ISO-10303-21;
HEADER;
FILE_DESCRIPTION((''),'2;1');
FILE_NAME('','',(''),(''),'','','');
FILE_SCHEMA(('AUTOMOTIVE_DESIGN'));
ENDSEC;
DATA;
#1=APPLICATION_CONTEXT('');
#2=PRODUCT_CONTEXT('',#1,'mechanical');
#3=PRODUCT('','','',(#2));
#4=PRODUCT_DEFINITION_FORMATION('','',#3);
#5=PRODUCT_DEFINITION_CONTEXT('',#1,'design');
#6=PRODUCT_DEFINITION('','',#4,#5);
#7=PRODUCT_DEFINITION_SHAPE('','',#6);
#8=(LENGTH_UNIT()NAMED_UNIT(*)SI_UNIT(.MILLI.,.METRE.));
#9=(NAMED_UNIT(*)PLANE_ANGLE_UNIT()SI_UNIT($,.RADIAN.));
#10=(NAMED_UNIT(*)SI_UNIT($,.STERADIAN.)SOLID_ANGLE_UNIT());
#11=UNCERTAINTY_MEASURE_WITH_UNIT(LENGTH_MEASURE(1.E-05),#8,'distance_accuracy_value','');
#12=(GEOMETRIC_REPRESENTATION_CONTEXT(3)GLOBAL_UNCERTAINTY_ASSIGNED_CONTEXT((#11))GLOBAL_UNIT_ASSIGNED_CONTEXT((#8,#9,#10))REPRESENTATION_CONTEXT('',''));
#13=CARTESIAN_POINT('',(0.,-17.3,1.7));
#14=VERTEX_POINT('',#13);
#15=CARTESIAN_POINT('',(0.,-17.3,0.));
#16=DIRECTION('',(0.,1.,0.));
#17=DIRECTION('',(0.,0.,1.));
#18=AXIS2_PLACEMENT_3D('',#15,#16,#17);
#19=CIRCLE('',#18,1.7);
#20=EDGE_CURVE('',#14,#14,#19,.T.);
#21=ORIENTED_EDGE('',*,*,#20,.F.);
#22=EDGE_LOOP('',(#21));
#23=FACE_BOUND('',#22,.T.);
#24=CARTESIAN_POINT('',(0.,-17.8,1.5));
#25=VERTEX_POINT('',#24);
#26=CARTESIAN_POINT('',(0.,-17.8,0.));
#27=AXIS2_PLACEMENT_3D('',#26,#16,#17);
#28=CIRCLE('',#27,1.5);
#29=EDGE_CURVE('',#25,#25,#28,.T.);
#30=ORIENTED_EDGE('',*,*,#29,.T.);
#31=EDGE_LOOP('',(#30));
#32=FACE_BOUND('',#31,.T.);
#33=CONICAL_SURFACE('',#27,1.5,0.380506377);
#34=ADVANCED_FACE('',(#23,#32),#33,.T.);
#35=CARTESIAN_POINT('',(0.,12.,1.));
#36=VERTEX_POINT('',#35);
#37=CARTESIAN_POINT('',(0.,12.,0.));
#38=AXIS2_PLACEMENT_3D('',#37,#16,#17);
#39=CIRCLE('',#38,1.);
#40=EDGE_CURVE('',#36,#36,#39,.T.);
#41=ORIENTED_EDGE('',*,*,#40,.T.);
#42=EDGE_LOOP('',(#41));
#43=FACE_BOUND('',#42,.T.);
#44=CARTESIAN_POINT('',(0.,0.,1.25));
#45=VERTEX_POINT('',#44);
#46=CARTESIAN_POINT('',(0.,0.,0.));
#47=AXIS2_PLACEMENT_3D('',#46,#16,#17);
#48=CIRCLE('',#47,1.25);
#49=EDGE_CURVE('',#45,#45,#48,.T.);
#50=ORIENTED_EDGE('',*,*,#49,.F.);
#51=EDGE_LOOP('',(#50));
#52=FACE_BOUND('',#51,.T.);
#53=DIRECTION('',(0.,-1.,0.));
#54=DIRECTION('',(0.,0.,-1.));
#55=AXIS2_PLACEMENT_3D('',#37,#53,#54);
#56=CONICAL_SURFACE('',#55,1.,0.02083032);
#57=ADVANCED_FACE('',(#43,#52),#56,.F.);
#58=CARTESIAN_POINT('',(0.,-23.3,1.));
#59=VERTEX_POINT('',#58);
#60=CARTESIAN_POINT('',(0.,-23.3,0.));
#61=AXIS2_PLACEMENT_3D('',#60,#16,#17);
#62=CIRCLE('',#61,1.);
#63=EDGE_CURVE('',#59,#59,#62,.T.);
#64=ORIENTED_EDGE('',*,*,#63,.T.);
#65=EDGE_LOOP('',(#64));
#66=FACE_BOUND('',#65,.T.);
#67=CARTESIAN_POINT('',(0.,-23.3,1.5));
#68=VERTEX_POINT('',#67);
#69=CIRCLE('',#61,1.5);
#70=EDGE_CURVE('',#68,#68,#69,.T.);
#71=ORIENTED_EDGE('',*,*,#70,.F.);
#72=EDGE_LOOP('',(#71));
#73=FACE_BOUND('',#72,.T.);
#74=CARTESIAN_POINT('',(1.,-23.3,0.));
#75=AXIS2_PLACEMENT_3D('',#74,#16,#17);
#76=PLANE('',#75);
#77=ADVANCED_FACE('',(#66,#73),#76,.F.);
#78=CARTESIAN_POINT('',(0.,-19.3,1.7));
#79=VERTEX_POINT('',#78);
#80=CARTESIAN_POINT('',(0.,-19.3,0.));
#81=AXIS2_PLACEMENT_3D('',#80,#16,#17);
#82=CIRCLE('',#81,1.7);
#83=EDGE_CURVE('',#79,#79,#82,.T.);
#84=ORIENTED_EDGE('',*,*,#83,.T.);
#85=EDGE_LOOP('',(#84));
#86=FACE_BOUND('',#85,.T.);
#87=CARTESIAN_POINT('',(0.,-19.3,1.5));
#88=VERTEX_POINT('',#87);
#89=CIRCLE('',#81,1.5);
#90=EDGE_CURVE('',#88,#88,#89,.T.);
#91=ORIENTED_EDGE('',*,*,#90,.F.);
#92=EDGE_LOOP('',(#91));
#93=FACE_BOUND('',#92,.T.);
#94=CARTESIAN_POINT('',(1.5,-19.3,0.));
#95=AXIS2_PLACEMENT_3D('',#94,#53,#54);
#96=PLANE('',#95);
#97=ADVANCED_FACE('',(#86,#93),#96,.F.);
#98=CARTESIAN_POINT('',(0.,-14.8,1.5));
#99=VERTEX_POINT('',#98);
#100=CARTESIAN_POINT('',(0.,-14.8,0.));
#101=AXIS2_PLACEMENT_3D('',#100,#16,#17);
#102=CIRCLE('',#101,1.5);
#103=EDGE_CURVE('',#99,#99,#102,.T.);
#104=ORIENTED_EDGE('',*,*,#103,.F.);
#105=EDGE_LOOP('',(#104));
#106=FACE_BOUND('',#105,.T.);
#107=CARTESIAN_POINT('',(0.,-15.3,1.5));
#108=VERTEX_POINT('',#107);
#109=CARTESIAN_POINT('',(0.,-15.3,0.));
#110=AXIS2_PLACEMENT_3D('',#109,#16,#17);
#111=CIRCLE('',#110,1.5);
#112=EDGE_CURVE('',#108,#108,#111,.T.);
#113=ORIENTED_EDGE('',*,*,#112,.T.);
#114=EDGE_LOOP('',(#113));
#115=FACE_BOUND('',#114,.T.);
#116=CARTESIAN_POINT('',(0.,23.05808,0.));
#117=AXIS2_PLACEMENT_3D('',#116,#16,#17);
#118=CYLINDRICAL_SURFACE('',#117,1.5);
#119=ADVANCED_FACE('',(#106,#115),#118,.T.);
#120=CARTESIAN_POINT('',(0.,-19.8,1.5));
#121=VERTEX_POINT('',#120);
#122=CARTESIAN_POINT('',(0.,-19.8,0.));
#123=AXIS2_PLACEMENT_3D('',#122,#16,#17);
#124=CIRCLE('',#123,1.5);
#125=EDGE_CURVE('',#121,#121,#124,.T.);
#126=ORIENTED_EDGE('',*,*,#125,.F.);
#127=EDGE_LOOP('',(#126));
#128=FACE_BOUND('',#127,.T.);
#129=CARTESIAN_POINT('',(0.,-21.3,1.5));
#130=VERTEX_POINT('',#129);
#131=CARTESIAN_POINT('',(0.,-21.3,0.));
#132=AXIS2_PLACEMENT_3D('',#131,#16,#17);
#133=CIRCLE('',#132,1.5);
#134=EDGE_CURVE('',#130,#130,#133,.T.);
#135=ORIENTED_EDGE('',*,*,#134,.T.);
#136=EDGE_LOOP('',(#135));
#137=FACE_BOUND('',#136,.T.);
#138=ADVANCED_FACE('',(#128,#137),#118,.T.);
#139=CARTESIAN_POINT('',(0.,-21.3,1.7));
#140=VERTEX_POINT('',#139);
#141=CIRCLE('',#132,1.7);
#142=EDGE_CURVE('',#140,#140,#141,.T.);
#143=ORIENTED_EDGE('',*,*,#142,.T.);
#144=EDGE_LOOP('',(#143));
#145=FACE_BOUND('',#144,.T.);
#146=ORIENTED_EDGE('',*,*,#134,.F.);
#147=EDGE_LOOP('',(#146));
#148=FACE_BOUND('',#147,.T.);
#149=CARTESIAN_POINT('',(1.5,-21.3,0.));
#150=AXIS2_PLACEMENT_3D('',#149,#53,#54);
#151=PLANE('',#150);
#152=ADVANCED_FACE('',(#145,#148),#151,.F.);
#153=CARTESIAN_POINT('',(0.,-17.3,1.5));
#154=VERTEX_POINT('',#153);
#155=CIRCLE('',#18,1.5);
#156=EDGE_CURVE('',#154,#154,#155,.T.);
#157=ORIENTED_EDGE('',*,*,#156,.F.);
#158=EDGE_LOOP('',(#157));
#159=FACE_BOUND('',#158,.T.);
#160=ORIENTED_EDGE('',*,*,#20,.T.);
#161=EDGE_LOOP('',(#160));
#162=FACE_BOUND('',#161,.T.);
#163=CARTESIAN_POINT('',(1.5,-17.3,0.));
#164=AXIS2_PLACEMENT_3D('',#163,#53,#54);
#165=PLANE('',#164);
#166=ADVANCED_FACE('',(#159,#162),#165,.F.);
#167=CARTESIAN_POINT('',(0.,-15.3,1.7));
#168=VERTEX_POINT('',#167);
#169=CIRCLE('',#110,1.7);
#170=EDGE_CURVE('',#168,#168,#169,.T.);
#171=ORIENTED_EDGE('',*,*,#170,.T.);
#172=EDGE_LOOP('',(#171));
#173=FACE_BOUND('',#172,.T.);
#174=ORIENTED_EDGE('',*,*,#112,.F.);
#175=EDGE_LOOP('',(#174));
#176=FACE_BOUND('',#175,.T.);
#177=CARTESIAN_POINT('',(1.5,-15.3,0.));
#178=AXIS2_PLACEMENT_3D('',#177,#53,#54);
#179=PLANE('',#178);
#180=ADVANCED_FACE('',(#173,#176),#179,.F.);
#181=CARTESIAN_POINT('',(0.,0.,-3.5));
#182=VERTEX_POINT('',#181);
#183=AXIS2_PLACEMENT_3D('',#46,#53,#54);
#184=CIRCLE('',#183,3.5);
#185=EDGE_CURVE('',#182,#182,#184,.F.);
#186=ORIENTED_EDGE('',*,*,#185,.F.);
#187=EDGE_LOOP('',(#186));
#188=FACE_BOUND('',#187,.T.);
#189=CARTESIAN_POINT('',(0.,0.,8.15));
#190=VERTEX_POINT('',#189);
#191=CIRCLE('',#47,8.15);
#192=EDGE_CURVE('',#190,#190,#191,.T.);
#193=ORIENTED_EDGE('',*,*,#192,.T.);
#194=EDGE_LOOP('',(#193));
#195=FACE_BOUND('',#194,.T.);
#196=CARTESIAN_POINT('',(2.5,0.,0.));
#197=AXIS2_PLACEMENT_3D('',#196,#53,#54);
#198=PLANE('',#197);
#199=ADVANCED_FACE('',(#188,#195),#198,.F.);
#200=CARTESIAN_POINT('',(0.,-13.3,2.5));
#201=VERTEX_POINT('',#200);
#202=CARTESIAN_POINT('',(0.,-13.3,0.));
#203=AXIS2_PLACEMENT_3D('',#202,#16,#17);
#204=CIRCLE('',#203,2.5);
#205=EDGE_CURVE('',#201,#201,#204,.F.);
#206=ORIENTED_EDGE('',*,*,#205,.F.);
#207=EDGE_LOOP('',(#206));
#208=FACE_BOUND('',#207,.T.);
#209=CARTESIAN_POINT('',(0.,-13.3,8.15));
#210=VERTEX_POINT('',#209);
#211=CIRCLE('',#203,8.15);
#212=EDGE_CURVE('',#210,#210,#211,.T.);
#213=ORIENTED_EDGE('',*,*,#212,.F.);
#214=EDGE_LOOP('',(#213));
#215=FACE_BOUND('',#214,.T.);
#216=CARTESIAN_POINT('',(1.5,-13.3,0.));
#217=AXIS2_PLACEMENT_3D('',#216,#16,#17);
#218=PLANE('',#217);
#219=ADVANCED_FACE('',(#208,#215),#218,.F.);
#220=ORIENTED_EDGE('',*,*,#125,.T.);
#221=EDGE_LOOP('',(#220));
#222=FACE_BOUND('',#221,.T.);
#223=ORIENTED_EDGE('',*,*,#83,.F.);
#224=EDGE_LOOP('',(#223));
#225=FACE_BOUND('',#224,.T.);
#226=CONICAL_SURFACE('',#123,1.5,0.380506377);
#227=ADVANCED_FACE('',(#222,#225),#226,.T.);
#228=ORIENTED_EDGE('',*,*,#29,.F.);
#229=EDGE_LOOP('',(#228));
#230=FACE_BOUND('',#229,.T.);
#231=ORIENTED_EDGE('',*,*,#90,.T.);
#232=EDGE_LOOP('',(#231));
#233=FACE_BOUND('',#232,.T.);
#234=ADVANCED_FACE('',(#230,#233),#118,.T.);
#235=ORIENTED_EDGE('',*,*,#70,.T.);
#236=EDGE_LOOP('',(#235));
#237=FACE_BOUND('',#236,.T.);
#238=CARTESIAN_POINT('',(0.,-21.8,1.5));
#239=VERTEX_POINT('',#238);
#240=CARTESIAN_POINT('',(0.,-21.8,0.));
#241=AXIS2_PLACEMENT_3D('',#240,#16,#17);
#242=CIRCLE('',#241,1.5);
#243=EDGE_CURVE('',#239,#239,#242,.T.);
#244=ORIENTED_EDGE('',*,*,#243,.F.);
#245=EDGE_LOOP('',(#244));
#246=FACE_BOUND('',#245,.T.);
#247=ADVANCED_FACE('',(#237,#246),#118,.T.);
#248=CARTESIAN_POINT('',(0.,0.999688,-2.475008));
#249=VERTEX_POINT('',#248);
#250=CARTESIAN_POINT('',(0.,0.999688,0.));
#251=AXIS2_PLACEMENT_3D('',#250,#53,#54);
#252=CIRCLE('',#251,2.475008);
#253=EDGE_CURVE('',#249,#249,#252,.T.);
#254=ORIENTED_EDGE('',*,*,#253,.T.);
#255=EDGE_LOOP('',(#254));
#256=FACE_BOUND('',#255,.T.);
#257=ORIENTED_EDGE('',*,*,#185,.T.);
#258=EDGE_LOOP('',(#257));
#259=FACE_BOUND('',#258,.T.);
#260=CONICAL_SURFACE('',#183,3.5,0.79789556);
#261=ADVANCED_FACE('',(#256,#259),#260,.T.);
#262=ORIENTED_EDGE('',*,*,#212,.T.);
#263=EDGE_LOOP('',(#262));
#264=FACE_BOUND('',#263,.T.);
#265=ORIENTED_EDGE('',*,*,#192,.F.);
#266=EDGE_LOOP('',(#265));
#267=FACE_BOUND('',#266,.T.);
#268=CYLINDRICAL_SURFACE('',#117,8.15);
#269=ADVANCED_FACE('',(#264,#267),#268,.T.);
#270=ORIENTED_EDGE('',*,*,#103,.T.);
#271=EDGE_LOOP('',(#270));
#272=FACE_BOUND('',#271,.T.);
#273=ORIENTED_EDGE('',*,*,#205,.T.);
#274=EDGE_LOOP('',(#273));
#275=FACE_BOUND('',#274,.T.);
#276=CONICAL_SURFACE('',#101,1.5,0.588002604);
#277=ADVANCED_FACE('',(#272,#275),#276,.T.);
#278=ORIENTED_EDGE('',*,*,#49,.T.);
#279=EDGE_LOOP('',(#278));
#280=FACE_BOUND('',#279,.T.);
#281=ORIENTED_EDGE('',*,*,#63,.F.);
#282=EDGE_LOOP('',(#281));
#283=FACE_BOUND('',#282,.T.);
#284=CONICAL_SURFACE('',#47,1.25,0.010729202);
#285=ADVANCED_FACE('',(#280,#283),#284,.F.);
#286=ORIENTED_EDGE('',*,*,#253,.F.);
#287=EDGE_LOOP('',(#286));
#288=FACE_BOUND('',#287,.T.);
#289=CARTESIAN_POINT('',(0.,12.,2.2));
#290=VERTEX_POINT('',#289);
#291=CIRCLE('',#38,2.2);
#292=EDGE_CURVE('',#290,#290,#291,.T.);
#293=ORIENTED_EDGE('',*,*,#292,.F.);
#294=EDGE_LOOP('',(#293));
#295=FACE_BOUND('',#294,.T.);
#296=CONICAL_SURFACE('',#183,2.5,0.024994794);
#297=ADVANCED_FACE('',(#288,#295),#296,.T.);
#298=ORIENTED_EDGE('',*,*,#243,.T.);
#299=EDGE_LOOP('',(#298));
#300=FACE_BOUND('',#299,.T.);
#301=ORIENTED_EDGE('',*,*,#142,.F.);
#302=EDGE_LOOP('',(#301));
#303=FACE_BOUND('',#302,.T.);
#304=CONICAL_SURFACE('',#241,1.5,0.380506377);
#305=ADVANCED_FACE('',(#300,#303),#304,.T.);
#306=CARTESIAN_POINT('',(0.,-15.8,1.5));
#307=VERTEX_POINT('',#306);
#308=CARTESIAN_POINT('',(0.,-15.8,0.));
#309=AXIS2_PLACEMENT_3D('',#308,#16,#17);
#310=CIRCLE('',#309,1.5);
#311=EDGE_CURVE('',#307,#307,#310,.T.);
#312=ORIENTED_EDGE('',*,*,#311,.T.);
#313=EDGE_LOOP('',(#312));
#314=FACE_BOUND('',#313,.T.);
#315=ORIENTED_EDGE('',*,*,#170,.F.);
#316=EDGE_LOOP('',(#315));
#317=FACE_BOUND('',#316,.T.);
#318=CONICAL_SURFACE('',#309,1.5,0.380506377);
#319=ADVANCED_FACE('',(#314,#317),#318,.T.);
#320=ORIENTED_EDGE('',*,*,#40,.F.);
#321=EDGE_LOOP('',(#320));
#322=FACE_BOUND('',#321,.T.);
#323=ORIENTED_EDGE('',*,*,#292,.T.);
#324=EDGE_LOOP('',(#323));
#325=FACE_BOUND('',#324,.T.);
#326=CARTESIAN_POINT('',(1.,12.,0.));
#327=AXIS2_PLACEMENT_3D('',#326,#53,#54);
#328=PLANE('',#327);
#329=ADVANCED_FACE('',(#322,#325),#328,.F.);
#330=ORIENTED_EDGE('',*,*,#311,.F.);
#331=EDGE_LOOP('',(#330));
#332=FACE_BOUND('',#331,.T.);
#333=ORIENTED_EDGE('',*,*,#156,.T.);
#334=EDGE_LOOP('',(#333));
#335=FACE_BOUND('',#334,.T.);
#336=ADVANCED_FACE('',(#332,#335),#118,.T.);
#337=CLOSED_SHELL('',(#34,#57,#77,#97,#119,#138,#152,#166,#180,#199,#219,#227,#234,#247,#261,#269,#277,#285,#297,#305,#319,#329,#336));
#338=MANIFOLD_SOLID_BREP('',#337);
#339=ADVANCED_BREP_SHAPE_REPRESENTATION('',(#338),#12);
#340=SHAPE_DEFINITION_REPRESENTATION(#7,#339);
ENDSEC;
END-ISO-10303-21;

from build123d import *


with BuildPart() as part:
    # Esboço1 → Revolução1 (revolve)
    with BuildSketch(Plane.XY, mode=Mode.PRIVATE) as revolu_o1_sk:
        Polygon((2.5, 0), (8.15, 0), (8.15, -13.3), (1.5, -13.3), (1.5, -15.3), (1.7, -15.3), (1.5, -15.8), (1.5, -17.3), (1.7, -17.3), (1.5, -17.8), (1.5, -19.3), (1.7, -19.3), (1.5, -19.8), (1.5, -21.3), (1.7, -21.3), (1.5, -21.8), (1.5, -23.3), (1, -23.3), (1.25, 0), (1, 12), (2.2, 12), align=None)
    revolve(revolu_o1_sk.sketch.rotate(Axis((0, 23.058079528, 0), (0, -1, 0)), 90), axis=Axis((0, 23.058079528, 0), (0, -1, 0)))

    # Esboço2 → Revolução2 (revolve)
    with BuildSketch(Plane.XY, mode=Mode.PRIVATE) as revolu_o2_sk:
        Polygon((1.5, -14.8), (2.5, -13.3), (1.5, -13.3), align=None)
        Polygon((2.5, 0), (2.475007809, 0.999687646), (3.5, 0), align=None)
    revolve(revolu_o2_sk.sketch.rotate(Axis((0, 0.658037097, 0), (0, -1, 0)), 270), axis=Axis((0, 0.658037097, 0), (0, -1, 0)))


solid = part.part
